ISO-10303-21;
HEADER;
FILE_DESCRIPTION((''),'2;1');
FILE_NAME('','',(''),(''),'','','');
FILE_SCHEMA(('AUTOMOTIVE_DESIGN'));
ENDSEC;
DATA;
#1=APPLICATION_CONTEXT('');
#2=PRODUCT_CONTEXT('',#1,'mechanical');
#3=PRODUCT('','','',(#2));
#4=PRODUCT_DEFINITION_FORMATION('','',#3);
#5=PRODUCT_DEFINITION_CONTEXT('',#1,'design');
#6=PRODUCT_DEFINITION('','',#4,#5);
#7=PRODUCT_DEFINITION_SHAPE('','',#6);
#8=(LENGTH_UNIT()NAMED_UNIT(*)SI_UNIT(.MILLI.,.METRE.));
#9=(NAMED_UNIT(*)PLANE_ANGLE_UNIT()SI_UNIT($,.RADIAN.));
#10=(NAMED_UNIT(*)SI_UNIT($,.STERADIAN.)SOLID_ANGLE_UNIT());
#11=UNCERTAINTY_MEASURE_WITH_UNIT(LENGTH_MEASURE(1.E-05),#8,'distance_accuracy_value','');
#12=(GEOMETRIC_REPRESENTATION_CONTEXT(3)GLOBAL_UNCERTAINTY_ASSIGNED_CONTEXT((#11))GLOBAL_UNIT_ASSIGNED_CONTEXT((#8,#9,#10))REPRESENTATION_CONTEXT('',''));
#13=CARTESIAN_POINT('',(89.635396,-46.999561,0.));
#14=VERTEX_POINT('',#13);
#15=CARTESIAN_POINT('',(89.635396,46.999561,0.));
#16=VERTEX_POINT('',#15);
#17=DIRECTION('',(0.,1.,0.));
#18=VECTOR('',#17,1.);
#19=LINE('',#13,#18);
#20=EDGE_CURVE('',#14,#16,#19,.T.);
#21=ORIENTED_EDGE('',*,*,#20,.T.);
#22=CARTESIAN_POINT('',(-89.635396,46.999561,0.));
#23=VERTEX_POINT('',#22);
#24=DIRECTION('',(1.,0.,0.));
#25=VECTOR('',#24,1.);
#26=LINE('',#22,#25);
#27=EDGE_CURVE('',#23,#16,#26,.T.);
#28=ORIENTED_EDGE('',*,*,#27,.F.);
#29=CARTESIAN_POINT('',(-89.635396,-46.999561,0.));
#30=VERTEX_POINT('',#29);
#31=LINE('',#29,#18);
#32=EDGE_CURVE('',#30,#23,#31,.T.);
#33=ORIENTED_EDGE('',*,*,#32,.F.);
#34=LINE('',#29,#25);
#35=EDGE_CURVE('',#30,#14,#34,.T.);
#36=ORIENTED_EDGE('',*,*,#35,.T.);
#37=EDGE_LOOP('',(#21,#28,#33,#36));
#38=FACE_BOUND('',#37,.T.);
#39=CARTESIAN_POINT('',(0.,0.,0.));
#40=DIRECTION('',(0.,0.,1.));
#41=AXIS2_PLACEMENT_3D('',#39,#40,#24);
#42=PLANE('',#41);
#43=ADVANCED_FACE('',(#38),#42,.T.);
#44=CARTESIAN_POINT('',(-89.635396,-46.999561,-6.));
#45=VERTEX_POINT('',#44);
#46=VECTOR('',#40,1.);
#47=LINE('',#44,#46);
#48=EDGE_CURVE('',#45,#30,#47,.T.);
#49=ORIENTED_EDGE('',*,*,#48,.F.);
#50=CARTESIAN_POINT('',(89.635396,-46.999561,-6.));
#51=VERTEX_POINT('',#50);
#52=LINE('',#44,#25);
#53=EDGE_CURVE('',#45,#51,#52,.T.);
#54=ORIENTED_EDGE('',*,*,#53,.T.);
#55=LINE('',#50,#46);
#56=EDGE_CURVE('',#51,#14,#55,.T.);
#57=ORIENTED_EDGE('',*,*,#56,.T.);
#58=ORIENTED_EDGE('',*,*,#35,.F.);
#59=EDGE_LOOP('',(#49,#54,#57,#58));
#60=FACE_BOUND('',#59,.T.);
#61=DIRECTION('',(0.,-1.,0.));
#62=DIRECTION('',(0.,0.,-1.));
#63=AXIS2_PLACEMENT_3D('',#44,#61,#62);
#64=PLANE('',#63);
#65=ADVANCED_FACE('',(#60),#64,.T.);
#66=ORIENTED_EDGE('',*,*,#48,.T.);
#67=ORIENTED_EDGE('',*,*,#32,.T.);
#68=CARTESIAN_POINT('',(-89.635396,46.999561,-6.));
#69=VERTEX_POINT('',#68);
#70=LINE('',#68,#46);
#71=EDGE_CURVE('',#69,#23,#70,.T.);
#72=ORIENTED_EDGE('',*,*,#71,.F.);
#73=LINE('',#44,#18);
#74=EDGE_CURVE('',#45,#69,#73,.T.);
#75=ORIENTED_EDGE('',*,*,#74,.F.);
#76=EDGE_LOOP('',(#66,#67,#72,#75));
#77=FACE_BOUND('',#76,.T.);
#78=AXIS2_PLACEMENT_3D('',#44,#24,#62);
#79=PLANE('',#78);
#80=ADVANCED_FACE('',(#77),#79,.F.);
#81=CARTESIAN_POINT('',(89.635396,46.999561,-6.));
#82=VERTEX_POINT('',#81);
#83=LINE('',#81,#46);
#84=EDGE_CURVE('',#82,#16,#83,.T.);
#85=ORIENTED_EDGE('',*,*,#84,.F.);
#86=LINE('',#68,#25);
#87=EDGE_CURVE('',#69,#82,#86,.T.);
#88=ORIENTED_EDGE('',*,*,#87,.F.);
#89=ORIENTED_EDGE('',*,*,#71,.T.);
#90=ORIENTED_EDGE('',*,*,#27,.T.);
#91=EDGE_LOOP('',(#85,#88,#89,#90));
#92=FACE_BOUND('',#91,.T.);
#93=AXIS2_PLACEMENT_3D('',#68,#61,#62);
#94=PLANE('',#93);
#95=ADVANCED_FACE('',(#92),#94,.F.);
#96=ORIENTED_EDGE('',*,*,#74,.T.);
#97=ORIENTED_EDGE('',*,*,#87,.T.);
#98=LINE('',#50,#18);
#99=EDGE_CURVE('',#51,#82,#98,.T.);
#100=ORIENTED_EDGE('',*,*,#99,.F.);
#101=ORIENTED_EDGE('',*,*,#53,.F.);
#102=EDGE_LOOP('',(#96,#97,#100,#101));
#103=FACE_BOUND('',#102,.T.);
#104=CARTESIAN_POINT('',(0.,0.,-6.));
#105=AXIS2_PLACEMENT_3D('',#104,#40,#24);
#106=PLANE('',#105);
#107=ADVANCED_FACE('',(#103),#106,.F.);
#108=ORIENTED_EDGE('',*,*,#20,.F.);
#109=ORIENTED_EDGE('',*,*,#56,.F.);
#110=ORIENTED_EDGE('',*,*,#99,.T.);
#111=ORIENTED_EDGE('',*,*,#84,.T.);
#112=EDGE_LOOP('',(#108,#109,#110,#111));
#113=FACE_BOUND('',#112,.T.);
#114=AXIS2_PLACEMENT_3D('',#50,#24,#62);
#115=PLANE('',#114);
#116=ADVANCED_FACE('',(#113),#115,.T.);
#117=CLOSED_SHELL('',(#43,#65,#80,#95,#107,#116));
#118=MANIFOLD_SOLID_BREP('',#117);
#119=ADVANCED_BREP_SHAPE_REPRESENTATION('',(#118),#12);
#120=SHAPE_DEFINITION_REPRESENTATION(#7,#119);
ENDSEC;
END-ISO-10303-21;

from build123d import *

# Parameters (mm, degrees)
SKETCH1_W           = 179.270792672
SKETCH1_H           = 93.999121706
BOSS_EXTRUDE1_DEPTH = 6


with BuildPart() as part:
    # Sketch1 → Boss-Extrude1 (new body)
    with BuildSketch(Plane.XY):
        Rectangle(SKETCH1_W, SKETCH1_H)
    extrude(amount=-BOSS_EXTRUDE1_DEPTH)


solid = part.part
